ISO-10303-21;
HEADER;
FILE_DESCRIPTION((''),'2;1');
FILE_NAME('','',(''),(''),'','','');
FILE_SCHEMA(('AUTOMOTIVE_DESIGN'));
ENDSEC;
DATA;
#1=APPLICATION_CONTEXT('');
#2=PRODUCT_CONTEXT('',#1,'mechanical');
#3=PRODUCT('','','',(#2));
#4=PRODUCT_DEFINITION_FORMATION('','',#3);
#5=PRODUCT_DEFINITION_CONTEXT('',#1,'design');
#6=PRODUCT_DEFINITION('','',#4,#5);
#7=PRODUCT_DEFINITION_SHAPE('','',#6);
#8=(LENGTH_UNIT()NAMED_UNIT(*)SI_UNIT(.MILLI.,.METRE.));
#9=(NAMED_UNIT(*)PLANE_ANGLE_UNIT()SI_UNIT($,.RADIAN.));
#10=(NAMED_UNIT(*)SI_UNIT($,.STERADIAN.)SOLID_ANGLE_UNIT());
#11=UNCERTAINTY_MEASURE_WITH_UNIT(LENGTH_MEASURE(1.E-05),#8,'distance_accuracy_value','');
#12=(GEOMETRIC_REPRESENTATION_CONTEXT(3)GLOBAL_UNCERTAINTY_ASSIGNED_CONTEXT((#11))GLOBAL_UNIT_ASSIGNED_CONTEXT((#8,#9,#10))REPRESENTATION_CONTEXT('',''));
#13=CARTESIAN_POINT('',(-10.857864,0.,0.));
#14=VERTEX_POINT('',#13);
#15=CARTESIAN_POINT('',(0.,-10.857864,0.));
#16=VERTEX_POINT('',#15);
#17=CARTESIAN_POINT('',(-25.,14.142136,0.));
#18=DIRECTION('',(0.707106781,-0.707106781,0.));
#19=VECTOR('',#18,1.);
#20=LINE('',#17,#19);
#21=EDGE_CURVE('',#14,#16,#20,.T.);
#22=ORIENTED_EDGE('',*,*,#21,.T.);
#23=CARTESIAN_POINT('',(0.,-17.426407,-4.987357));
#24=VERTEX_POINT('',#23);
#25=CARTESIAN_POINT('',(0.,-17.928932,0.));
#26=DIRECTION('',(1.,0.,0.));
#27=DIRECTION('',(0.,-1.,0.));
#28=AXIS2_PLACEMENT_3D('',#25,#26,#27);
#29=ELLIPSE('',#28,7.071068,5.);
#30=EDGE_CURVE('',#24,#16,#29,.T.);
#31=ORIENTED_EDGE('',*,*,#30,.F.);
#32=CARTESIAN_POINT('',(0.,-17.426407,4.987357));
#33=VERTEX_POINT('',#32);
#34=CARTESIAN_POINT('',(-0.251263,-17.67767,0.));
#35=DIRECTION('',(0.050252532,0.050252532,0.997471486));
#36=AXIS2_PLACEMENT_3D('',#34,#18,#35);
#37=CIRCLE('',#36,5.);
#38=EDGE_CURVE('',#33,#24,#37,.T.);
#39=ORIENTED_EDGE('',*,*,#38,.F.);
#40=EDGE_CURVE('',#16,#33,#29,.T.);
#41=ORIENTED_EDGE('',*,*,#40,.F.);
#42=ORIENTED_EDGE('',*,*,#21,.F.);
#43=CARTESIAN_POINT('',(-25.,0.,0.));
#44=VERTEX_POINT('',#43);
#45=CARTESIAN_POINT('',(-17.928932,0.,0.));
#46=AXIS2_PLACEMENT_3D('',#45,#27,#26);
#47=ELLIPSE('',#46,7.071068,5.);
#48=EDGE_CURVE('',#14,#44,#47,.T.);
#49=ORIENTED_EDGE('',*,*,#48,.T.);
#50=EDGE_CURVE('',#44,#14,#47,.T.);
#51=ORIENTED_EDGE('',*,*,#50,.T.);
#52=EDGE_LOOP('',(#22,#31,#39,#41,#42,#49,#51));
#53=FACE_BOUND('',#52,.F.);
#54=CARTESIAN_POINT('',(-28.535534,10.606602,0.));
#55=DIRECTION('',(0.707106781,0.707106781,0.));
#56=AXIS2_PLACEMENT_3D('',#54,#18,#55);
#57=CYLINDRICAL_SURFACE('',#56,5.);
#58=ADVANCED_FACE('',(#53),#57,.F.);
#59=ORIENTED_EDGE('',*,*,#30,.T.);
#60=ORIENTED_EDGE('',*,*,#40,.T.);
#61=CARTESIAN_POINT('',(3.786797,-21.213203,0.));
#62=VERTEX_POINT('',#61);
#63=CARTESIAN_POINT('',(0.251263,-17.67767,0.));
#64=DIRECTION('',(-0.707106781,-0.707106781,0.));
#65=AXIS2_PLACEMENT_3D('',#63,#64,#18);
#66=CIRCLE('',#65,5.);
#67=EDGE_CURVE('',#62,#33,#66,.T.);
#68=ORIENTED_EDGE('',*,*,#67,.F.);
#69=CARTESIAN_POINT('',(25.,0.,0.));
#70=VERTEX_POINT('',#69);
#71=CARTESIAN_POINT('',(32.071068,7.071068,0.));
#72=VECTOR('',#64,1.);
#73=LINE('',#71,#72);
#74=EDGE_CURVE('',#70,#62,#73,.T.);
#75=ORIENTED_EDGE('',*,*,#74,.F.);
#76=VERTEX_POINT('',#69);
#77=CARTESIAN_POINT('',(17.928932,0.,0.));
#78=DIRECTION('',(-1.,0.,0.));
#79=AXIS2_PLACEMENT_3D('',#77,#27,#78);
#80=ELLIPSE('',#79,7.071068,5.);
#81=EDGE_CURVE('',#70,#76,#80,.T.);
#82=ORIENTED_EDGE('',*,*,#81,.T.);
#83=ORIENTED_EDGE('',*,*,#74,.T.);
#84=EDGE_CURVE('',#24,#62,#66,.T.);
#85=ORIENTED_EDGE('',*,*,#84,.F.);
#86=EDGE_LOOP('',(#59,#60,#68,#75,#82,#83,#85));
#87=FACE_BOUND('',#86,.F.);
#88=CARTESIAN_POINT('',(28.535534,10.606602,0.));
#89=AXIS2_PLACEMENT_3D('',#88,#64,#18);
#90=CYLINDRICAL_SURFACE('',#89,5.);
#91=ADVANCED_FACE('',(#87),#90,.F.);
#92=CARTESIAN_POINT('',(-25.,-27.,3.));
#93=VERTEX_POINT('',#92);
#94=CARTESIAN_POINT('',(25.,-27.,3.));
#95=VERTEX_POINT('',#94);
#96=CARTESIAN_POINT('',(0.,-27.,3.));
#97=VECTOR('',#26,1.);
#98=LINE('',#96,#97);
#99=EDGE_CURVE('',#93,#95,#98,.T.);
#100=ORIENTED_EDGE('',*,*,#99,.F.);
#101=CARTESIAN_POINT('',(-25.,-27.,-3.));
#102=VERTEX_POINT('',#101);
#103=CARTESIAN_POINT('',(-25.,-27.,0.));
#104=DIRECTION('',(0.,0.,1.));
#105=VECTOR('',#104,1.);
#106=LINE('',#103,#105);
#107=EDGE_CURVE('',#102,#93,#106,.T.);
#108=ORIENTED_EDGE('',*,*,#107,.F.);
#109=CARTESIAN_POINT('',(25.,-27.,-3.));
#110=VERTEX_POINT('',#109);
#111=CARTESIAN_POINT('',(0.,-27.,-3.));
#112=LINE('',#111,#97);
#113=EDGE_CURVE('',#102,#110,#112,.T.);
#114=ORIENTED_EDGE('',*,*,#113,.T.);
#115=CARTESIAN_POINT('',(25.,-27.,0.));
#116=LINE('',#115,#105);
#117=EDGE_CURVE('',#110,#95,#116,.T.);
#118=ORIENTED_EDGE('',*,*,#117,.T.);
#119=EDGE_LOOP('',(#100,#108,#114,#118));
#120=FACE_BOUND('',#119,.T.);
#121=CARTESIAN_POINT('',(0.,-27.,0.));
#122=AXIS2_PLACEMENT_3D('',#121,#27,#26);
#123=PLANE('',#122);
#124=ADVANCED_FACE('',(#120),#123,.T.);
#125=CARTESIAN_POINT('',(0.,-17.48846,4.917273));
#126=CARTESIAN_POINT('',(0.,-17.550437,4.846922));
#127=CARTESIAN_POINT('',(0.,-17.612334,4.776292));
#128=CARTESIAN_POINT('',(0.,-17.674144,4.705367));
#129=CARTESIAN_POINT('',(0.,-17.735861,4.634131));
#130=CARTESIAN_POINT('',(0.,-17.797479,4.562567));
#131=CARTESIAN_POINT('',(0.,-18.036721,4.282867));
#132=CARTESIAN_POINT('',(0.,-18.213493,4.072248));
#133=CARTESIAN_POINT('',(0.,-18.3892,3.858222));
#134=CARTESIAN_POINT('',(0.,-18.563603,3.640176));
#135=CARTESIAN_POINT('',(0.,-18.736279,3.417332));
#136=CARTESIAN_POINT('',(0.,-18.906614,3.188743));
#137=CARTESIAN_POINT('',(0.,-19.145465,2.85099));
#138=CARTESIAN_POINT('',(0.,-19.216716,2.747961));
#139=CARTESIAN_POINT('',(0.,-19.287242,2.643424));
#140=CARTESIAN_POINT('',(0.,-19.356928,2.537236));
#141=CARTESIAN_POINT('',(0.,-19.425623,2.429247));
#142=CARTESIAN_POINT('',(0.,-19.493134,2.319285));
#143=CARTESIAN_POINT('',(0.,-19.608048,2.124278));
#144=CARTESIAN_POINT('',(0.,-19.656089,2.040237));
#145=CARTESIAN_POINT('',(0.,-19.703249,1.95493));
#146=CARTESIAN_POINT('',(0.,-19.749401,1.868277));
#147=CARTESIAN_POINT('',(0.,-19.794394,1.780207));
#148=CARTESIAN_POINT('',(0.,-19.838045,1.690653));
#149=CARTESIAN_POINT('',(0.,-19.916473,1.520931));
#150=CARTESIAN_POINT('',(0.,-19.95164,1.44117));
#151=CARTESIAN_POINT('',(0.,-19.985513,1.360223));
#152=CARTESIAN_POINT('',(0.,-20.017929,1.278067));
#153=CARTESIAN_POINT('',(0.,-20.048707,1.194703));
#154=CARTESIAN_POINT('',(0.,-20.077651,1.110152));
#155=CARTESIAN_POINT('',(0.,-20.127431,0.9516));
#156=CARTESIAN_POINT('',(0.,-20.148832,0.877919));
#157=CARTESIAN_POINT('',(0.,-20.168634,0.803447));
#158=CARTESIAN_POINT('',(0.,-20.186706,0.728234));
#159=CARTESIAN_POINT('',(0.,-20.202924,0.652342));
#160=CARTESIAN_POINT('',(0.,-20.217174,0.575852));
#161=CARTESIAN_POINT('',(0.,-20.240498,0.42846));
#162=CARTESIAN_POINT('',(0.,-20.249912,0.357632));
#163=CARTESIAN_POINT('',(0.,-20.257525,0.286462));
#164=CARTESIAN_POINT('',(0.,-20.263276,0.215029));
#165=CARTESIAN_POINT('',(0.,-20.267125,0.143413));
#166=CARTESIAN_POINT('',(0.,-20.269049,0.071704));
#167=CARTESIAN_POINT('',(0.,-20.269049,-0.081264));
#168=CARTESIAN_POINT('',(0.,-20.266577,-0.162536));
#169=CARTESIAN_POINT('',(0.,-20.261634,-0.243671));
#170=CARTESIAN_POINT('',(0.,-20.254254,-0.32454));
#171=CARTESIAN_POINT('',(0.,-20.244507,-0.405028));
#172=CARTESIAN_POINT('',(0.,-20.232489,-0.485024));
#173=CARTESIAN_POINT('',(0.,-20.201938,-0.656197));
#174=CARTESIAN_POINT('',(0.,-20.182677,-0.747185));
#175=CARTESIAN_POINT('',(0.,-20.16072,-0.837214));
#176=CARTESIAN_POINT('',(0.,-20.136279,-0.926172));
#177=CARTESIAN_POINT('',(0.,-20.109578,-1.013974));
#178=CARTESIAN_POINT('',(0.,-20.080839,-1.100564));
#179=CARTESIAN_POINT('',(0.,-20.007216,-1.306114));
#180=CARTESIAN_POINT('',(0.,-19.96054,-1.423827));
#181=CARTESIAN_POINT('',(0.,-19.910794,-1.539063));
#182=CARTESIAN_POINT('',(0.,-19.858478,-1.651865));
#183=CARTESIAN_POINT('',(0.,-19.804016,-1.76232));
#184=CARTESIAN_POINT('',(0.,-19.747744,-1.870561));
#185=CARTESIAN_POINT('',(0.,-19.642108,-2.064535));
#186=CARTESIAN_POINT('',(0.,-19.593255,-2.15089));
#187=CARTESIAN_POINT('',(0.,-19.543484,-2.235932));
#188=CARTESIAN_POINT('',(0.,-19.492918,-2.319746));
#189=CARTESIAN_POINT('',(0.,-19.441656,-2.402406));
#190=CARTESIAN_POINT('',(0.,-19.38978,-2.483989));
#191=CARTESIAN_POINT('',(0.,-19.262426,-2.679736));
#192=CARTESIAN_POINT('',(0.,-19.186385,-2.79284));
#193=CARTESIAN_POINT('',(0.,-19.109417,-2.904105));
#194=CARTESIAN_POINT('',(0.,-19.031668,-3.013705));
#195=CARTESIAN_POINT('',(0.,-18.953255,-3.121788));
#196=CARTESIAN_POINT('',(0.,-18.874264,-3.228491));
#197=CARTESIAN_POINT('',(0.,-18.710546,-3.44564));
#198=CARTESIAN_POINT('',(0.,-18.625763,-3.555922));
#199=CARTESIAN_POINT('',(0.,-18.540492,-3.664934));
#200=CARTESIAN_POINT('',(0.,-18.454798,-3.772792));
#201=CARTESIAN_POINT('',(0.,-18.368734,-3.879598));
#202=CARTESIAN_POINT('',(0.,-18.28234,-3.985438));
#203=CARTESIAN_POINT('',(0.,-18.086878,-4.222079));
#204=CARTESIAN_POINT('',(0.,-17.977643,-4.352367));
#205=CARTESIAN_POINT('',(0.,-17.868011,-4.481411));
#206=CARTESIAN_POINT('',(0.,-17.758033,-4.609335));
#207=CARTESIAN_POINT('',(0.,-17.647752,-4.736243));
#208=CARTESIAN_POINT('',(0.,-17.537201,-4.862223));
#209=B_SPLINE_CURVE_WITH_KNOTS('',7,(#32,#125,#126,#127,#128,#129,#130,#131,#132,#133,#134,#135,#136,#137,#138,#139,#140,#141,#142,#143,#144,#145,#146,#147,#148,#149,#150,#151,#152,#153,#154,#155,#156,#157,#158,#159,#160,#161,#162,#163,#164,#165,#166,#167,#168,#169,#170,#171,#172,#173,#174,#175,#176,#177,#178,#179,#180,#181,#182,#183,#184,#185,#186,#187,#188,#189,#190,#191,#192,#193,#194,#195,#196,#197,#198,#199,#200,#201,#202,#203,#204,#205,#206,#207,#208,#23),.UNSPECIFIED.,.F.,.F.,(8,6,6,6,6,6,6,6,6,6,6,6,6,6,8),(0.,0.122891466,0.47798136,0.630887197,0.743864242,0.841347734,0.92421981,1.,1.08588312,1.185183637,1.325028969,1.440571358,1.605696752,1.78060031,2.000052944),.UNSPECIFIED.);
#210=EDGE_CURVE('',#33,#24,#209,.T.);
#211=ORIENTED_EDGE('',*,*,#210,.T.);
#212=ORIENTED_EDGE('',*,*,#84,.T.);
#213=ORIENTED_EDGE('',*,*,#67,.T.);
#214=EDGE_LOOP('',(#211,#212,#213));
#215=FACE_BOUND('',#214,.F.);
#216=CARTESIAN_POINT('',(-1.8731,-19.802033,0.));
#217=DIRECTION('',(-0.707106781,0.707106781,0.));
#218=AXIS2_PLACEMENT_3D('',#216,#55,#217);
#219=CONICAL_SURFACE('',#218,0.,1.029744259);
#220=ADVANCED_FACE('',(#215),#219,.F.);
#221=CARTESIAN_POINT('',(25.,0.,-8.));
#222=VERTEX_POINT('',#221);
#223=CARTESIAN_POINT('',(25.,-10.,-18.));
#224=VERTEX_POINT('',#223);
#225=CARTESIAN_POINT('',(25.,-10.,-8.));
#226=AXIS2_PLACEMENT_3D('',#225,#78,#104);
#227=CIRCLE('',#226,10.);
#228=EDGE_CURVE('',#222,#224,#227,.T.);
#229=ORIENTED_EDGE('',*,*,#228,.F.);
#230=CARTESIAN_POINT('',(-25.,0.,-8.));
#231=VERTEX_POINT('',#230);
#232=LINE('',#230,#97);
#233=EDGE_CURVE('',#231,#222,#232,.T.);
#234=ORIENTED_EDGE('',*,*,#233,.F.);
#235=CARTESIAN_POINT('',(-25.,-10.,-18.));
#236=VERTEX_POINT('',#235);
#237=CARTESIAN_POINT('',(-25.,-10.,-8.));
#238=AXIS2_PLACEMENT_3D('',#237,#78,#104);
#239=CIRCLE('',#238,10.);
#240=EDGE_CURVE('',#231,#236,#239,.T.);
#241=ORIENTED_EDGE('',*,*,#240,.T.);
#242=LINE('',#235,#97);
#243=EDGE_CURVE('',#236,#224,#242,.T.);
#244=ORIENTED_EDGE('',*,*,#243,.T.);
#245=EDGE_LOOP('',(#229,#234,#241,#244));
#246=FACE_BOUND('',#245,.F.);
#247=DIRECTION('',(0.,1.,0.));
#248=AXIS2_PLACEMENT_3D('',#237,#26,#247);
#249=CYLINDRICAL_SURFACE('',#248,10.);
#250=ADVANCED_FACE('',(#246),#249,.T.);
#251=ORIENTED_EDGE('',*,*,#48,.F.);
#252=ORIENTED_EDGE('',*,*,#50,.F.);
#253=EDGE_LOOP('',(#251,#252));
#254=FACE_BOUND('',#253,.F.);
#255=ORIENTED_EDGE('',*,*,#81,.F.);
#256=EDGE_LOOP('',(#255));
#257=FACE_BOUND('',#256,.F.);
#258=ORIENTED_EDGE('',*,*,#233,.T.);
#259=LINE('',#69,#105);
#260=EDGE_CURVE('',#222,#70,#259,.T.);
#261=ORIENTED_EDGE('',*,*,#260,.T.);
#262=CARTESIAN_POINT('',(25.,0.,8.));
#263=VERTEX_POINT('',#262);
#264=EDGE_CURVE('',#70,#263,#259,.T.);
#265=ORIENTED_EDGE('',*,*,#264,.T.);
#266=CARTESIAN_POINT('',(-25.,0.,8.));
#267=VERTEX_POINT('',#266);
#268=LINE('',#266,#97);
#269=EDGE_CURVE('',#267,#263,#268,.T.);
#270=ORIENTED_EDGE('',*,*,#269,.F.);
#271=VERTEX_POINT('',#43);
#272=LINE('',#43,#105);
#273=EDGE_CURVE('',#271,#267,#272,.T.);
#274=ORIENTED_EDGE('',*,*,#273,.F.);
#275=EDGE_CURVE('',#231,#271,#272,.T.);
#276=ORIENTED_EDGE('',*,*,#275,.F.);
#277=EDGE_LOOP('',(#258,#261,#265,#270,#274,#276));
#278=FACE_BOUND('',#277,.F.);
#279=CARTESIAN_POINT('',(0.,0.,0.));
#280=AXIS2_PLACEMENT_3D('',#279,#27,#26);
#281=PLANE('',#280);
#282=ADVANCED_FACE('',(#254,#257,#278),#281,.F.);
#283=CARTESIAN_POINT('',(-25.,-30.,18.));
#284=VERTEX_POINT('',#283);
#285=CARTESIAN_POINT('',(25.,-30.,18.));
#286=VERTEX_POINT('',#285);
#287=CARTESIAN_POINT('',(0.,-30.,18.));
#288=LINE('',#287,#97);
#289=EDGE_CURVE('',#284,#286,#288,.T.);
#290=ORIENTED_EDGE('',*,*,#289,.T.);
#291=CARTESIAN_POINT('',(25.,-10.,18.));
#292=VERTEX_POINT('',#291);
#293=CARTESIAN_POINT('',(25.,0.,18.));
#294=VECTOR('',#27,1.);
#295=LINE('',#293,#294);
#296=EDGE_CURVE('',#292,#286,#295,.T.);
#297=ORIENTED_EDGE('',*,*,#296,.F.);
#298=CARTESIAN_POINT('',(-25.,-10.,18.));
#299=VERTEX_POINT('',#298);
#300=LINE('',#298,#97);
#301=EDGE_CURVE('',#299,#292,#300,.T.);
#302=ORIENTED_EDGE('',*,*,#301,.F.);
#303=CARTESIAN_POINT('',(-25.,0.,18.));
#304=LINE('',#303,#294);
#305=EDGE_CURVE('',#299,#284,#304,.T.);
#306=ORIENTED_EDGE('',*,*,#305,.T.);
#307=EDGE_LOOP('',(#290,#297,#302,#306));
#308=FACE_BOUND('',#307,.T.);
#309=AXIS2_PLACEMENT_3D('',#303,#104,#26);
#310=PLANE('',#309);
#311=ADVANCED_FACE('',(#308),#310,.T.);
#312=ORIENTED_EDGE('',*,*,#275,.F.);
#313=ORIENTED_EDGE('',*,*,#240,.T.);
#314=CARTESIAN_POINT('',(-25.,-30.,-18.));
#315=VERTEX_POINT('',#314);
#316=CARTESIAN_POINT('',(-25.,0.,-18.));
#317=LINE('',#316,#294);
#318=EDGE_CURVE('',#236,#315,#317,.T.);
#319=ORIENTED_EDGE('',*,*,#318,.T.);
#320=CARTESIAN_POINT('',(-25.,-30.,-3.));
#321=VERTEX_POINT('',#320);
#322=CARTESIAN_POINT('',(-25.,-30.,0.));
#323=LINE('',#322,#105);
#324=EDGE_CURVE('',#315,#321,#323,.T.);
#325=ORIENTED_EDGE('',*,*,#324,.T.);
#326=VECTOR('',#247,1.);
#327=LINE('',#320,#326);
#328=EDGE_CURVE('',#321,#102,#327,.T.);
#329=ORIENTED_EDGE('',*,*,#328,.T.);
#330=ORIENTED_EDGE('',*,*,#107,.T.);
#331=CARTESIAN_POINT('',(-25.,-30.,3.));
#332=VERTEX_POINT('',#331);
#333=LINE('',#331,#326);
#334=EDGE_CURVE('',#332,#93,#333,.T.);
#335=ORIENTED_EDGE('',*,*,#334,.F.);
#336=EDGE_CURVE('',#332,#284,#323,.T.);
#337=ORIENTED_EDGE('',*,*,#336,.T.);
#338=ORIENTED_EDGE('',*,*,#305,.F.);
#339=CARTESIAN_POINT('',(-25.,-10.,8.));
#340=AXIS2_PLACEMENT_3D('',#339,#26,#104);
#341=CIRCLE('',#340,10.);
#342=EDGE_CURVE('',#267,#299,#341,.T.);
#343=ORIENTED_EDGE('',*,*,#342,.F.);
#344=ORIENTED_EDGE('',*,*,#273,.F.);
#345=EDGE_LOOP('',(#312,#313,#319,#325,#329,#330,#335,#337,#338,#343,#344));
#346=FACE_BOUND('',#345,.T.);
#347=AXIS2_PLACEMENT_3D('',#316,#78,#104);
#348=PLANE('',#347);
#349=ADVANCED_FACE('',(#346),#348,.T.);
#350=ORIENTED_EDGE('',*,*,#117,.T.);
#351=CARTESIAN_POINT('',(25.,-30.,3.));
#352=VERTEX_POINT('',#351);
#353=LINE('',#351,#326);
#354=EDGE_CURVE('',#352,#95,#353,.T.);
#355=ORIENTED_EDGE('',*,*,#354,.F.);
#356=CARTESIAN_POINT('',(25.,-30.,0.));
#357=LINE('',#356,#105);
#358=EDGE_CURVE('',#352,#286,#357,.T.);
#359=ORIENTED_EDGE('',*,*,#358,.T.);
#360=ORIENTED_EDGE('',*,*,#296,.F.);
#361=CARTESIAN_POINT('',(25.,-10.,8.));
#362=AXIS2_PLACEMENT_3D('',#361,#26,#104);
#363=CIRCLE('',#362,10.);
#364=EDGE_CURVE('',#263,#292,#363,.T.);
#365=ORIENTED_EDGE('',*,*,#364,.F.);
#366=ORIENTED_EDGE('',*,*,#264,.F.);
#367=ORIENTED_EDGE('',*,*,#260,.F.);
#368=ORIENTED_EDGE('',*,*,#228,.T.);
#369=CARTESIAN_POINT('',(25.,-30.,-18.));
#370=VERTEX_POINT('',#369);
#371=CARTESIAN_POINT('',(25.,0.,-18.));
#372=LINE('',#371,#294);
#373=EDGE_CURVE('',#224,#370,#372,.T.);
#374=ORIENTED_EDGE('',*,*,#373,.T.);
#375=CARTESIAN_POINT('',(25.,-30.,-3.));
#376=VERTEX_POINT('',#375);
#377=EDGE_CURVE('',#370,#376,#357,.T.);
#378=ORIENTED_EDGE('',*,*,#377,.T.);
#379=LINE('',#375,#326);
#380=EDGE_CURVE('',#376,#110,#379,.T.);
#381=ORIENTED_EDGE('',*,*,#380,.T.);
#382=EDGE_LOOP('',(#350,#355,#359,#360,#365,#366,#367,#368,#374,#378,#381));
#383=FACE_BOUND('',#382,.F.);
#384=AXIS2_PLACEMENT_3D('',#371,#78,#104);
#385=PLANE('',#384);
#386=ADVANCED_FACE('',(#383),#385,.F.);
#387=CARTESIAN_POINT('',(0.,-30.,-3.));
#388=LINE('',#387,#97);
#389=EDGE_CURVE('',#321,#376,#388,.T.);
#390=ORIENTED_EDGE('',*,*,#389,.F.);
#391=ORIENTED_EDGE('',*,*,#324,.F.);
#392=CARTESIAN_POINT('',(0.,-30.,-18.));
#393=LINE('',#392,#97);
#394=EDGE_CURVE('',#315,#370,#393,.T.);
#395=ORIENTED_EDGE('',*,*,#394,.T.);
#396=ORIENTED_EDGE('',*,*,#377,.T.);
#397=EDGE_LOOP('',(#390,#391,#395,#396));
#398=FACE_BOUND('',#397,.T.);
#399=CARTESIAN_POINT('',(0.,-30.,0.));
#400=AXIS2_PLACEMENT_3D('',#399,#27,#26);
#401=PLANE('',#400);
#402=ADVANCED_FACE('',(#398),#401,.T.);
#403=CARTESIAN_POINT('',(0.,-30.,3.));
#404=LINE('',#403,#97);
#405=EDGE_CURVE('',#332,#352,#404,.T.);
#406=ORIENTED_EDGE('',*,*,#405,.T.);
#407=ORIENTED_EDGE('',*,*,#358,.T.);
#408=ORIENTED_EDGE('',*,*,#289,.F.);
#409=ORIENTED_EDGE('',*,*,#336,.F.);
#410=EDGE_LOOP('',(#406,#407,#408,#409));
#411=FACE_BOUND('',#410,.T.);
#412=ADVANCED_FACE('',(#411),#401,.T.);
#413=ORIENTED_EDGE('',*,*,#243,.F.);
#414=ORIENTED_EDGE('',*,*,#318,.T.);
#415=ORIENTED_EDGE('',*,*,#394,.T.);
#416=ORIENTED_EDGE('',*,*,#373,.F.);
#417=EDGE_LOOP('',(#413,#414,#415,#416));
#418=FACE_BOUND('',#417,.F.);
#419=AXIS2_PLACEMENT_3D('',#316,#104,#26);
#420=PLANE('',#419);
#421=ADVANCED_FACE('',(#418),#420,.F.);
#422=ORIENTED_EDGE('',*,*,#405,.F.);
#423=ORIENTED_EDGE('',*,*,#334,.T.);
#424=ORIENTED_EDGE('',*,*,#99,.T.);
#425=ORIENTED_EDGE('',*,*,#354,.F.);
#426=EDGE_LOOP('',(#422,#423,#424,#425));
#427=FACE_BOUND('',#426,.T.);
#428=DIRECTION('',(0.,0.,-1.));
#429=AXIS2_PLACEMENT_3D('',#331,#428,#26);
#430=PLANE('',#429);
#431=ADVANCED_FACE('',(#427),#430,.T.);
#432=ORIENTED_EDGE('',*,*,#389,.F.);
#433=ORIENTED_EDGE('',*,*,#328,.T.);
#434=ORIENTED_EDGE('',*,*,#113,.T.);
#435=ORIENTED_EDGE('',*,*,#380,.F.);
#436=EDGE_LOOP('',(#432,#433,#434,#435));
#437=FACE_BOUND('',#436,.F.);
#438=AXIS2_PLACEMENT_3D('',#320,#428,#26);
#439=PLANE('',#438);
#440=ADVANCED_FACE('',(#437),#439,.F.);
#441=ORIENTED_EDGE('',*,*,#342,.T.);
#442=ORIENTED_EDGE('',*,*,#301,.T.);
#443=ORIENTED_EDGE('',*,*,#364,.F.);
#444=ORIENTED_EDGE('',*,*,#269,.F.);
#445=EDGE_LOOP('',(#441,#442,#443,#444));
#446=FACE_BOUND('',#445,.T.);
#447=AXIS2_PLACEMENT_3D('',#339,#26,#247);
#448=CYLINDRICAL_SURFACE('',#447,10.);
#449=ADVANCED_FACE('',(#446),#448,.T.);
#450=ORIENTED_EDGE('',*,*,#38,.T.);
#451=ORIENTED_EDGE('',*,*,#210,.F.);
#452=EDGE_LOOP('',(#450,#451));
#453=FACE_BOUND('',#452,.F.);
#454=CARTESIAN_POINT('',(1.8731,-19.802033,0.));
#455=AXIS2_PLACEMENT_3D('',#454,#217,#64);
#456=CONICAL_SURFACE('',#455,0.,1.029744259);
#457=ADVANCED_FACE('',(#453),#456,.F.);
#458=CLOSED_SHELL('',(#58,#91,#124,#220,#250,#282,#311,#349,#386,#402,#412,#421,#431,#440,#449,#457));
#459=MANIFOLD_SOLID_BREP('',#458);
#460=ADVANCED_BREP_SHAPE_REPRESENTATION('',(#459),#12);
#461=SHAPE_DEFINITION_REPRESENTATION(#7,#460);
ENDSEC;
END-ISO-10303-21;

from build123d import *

# Parameters (mm, degrees)
F0_W     = 50
F0_H     = 36
F1_DEPTH = 30
F4_D     = 10
F4_DEPTH = 20
F4_START = 10
F4_TIP   = 3.0043030951
F7_D     = 10
F7_DEPTH = 20
F7_START = 10
F7_TIP   = 3.0043030951
F8_W     = 50
F8_H     = 6
F9_DEPTH = 3
F10_R    = 10


with BuildPart() as f1:
    # F0 (on Front) → F1 (new body)
    with BuildSketch(Plane.XZ):
        Rectangle(F0_W, F0_H)
    extrude(amount=F1_DEPTH)

    # F4
    # its depths count from where the whole tool has entered the part; down to there all is cleared
    with Locations(Plane(origin=(-12.5, 12.5, 0), x_dir=(-0.7071067812, -0.7071067812, 0), z_dir=(-0.7071067812, 0.7071067812, 0)).offset(-F4_START)):
        with Locations((12.6776695297, 0)):
            Hole(F4_D / 2, depth=F4_DEPTH)
            with Locations((0, 0, -(F4_DEPTH + F4_TIP / 2))):  # 118° drill point
                Cone(0, F4_D / 2, F4_TIP, mode=Mode.SUBTRACT)

    # F7
    # its depths count from where the whole tool has entered the part; down to there all is cleared
    with Locations(Plane(origin=(12.5, 12.5, 0), x_dir=(-0.7071067812, 0.7071067812, 0), z_dir=(0.7071067812, 0.7071067812, 0)).offset(-F7_START)):
        with Locations((-12.6776695297, 0)):
            Hole(F7_D / 2, depth=F7_DEPTH)
            with Locations((0, 0, -(F7_DEPTH + F7_TIP / 2))):  # 118° drill point
                Cone(0, F7_D / 2, F7_TIP, mode=Mode.SUBTRACT)

    # F8 (on face) → F9 (cut)
    with BuildSketch(Plane.XZ.offset(30)):
        Rectangle(F8_W, F8_H)
    extrude(amount=-F9_DEPTH, mode=Mode.SUBTRACT)

    # F10
    f10_edges = [f1.edges().sort_by_distance(p)[0] for p in [
        (0, 0, -18),
        (0, 0, 18),
    ]]
    fillet(f10_edges, radius=F10_R)


solid = f1.part
